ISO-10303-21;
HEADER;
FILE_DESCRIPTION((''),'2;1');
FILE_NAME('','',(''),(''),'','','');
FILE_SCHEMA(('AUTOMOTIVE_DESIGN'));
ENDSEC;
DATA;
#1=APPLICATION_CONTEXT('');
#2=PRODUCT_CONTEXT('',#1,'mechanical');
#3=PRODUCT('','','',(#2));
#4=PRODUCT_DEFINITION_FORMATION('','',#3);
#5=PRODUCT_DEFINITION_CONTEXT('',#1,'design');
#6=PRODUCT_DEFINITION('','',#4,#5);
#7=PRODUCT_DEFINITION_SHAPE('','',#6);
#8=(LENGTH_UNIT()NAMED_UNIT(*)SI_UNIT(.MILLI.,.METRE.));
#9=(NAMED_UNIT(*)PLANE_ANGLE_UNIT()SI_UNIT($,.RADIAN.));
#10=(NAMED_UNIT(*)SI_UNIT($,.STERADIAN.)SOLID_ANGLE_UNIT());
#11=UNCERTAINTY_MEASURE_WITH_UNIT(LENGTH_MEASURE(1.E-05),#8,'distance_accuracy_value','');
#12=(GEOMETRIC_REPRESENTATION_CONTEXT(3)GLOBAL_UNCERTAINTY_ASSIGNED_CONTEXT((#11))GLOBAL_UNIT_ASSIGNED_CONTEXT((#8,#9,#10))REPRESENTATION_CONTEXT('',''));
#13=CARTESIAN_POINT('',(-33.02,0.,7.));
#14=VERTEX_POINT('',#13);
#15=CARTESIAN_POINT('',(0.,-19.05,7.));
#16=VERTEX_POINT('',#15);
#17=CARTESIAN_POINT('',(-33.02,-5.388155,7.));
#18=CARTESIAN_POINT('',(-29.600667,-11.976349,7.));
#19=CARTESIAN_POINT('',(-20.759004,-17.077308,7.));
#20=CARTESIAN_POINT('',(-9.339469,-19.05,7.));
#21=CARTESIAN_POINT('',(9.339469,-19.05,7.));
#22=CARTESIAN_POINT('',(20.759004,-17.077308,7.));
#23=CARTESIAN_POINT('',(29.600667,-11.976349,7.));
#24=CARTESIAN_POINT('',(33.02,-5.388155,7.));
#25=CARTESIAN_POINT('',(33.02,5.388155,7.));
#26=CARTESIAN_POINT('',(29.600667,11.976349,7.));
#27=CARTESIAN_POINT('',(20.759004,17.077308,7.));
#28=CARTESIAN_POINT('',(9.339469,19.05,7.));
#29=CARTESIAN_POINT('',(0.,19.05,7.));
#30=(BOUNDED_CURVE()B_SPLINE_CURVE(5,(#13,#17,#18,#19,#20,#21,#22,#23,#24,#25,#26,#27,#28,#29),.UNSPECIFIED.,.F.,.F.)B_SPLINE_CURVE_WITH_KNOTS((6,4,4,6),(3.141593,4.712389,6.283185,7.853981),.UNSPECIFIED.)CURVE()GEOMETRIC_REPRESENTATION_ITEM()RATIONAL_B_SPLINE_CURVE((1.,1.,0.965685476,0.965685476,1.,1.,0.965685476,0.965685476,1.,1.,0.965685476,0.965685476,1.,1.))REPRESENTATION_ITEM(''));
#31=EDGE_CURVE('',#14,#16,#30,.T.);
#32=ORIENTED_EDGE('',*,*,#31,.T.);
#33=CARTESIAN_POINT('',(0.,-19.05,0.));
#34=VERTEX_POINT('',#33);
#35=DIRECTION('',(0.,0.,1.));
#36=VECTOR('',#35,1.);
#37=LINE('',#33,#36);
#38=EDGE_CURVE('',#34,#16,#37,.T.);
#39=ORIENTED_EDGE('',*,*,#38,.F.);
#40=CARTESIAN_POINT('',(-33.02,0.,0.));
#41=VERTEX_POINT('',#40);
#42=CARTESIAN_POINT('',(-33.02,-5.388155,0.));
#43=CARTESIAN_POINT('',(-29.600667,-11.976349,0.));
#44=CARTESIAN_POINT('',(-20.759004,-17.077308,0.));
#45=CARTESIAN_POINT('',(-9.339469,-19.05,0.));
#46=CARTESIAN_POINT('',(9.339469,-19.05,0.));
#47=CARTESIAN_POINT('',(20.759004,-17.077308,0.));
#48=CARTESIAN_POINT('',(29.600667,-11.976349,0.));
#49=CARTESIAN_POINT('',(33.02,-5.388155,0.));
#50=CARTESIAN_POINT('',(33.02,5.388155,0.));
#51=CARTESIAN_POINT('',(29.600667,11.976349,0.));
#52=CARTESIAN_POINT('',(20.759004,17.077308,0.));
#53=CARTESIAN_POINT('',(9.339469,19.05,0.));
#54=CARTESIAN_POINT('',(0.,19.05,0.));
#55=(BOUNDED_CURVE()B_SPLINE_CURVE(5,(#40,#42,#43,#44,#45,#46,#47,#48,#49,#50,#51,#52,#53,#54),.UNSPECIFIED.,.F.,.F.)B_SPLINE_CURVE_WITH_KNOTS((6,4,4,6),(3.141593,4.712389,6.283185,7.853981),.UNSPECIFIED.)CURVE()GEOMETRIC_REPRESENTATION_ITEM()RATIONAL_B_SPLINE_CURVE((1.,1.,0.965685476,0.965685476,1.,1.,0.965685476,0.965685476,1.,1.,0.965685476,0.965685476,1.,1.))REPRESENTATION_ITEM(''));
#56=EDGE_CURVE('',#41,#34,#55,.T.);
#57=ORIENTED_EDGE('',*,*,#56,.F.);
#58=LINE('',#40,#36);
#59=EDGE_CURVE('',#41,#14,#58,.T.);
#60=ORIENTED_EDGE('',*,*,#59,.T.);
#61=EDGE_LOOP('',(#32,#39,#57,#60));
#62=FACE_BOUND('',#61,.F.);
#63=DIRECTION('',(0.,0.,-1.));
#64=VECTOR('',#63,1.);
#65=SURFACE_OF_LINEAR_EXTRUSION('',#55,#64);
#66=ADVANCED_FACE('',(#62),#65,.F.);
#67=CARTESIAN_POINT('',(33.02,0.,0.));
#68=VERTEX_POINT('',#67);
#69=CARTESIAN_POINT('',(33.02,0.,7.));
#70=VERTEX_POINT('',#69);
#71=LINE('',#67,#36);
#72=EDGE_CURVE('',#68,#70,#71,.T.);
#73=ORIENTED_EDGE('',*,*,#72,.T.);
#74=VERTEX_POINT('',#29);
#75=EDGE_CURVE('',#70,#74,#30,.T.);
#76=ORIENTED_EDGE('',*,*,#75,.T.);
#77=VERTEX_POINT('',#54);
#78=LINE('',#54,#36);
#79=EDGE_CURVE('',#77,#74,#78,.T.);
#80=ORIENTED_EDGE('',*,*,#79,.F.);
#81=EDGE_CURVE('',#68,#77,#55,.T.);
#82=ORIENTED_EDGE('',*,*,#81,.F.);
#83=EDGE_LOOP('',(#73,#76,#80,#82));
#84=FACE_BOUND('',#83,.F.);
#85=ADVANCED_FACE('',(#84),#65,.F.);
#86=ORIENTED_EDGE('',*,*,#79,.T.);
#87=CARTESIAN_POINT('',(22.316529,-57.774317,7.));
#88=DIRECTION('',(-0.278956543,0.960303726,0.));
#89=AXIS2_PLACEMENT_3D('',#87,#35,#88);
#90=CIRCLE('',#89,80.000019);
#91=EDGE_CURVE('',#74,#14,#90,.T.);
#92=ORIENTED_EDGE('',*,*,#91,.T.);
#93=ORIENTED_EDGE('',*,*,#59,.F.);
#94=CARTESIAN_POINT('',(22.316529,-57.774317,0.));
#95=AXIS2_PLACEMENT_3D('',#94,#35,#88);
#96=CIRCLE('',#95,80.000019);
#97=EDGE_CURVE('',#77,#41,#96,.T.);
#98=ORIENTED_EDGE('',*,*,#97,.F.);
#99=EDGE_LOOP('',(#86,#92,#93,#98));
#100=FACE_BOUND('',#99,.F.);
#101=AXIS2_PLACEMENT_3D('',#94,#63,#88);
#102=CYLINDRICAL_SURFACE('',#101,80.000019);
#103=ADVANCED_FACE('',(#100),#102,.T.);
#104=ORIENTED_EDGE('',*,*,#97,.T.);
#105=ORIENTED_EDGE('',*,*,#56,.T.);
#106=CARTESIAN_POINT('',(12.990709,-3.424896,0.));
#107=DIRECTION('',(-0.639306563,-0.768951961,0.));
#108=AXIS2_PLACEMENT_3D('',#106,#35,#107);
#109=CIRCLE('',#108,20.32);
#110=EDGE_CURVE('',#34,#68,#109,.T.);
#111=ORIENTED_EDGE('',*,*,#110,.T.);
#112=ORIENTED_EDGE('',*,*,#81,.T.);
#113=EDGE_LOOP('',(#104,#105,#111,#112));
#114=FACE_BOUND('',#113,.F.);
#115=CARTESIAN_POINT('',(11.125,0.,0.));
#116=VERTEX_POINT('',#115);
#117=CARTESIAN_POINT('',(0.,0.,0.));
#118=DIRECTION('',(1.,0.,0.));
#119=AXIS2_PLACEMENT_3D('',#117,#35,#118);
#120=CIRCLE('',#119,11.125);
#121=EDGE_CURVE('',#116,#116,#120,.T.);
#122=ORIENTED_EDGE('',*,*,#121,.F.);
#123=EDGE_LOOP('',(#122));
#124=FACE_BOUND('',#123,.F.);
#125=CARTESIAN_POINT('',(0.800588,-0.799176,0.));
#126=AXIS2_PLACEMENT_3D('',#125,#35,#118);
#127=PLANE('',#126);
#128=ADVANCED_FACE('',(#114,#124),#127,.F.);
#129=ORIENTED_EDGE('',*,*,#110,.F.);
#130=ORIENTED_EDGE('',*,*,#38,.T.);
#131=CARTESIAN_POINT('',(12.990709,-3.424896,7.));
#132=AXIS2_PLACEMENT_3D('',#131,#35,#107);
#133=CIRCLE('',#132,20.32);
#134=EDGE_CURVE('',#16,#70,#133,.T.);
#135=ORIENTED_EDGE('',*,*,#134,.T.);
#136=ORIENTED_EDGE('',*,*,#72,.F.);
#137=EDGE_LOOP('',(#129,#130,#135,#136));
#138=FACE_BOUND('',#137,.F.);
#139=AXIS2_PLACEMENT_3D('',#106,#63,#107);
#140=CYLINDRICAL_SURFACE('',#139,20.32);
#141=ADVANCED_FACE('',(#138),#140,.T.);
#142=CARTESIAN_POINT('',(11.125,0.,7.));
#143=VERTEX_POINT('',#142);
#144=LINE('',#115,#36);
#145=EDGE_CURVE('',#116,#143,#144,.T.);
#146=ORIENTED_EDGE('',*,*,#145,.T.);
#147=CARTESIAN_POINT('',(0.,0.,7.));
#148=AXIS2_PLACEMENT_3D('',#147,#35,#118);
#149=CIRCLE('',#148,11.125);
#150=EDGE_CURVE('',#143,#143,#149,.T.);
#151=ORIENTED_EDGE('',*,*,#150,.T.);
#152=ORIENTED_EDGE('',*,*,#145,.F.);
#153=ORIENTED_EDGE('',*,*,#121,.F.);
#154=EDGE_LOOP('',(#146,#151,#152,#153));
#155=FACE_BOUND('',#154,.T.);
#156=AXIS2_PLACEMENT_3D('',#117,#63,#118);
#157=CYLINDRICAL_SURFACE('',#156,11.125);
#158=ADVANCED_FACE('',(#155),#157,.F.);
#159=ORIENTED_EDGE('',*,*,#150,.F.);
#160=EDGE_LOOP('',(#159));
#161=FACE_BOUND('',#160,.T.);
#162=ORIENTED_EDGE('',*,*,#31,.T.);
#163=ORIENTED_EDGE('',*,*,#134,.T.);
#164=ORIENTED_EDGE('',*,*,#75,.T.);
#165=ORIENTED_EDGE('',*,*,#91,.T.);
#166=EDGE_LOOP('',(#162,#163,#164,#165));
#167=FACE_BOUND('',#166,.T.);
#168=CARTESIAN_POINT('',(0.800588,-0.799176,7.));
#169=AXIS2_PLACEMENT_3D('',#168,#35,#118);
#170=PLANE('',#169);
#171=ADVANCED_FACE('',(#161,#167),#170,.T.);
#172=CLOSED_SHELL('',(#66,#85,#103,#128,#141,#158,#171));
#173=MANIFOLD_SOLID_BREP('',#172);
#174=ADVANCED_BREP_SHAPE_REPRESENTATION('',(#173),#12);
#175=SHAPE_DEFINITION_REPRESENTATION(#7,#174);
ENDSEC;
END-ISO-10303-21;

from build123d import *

# Parameters (mm, degrees)
F0_R     = 11.125
F1_DEPTH = 7


with BuildPart() as f1:
    # F0 (on Top) → F1 (new body)
    with BuildSketch(Plane.XY):
        with BuildLine():
            add(Edge.make_bspline(
                [(0, -19.05), (33.02, -19.05), (33.02, 0)],
                knots=[4.712389, 4.712389, 4.712389, 6.283185, 6.283185, 6.283185], degree=2, weights=[1, 0.707107, 1]))
            add(Edge.make_bspline(
                [(33.02, 0), (33.02, 19.05), (0, 19.05)],
                knots=[0, 0, 0, 1.570796, 1.570796, 1.570796], degree=2, weights=[1, 0.707107, 1]))
            ThreePointArc((0, 19.05), (-17.661277, 11.520547), (-33.02, 0))
            add(Edge.make_bspline(
                [(-33.02, 0), (-33.02, -19.05), (0, -19.05)],
                knots=[3.141593, 3.141593, 3.141593, 4.712389, 4.712389, 4.712389], degree=2, weights=[1, 0.707107, 1]))
        make_face()
        Circle(F0_R, mode=Mode.SUBTRACT)
        with BuildLine():
            ThreePointArc((0, -19.05), (23.14507, -21.025787), (33.02, 0))
            add(Edge.make_bspline(
                [(0, -19.05), (33.02, -19.05), (33.02, 0)],
                knots=[4.712389, 4.712389, 4.712389, 6.283185, 6.283185, 6.283185], degree=2, weights=[1, 0.707107, 1]))
        make_face()
    extrude(amount=F1_DEPTH)


solid = f1.part
